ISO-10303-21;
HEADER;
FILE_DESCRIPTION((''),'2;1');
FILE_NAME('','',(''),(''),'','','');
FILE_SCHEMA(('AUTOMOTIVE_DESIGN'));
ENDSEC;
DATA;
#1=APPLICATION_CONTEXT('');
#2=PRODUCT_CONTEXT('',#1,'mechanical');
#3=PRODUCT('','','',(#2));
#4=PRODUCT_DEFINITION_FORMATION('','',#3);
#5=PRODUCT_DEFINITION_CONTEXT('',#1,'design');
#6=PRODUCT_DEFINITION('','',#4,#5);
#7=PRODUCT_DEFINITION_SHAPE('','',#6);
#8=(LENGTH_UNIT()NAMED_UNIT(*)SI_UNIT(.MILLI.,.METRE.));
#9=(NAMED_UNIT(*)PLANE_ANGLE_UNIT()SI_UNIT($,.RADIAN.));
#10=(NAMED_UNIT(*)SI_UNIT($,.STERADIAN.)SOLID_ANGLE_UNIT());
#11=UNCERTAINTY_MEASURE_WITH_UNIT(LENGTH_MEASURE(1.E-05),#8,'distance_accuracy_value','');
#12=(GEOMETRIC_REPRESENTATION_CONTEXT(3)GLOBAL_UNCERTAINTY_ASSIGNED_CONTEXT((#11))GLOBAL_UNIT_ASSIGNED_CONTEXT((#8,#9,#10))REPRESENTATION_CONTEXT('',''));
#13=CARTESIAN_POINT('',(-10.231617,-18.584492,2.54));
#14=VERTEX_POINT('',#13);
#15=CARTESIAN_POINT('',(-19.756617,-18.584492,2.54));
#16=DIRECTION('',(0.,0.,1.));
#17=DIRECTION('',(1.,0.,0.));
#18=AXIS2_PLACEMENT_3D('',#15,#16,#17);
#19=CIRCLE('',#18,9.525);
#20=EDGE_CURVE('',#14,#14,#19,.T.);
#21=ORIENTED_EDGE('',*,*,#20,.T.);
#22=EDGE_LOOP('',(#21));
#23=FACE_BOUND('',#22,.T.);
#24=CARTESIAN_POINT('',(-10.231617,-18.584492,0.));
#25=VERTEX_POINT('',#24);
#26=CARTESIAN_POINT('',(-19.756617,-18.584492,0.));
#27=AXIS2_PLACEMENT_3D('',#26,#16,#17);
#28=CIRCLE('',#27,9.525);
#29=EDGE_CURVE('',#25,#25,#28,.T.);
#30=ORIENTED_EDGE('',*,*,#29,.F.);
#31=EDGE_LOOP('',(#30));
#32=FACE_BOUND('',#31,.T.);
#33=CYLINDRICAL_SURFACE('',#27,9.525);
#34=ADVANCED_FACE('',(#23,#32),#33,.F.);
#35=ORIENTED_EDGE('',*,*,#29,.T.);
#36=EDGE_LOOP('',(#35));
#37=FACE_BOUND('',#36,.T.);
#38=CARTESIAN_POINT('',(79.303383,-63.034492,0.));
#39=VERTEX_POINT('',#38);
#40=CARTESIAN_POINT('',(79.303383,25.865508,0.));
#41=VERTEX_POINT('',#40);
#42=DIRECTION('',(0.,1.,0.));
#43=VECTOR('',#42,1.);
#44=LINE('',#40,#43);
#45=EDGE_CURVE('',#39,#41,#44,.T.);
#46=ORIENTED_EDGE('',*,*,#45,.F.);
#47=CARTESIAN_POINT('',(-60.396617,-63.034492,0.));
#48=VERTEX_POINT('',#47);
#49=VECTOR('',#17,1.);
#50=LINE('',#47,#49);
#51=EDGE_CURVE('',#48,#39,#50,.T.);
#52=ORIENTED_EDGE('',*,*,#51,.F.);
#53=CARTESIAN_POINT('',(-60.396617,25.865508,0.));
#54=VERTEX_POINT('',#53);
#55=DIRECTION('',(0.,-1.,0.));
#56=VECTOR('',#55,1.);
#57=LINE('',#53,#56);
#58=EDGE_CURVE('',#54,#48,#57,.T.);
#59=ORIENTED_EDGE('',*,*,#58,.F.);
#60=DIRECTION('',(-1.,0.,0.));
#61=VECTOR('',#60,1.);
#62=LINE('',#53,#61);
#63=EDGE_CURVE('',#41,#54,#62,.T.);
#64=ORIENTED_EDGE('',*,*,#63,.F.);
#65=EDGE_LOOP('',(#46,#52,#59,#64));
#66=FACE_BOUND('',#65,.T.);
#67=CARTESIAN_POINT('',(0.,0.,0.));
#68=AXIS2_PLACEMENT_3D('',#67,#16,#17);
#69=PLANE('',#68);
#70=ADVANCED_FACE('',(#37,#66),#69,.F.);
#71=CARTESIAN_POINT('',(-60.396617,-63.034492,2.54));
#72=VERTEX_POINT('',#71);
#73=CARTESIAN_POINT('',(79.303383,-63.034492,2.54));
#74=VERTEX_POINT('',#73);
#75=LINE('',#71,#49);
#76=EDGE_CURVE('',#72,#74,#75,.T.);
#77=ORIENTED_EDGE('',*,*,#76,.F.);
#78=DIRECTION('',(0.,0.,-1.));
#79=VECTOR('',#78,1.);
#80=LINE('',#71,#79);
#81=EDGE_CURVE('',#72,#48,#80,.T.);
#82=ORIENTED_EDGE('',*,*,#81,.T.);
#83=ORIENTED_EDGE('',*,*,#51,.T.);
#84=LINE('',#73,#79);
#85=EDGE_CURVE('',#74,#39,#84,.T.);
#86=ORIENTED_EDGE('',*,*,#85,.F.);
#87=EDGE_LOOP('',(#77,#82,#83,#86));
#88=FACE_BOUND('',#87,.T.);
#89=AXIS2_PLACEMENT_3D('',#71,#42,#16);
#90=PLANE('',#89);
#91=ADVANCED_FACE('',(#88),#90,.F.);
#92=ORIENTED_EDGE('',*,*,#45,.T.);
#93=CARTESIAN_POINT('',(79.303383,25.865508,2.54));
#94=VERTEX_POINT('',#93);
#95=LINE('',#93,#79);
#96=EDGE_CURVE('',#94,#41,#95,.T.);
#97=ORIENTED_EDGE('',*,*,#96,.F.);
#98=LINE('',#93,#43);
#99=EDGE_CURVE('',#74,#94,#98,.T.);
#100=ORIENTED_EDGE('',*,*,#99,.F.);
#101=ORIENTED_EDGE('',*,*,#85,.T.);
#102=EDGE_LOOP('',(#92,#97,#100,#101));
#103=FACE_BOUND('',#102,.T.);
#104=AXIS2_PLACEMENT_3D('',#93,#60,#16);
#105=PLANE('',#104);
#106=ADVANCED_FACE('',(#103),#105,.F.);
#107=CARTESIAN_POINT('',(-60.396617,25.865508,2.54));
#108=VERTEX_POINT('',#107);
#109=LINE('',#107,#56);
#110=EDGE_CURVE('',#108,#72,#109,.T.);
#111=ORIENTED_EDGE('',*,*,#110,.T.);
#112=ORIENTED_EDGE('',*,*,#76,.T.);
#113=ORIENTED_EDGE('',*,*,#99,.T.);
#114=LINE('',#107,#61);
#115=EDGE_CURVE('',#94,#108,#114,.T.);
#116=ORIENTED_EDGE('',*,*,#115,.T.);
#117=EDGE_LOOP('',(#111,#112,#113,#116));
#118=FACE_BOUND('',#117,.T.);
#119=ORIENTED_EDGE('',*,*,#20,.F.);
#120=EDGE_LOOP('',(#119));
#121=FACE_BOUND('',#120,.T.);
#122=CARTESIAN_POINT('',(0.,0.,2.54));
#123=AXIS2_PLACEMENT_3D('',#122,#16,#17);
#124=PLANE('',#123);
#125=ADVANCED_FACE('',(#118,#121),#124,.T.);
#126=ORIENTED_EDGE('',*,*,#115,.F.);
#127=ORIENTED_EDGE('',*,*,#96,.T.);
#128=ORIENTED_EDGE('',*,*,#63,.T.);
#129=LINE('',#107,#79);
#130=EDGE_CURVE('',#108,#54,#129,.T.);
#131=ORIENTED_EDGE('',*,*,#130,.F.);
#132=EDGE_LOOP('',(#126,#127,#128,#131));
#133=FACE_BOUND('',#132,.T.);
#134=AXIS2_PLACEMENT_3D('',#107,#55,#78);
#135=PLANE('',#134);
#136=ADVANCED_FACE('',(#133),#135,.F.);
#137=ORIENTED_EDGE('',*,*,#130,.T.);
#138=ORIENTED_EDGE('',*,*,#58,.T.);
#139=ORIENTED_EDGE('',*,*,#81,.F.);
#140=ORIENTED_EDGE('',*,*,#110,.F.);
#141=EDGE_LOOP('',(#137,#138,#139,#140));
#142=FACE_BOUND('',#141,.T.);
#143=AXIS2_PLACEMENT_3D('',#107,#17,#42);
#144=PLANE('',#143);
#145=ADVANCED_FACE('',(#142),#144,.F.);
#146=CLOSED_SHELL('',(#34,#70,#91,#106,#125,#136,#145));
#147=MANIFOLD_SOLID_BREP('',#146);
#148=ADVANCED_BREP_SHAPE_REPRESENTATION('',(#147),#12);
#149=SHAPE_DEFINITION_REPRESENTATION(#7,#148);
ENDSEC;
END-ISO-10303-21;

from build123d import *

# Parameters (mm, degrees)
SKETCH1_W           = 139.7
SKETCH1_H           = 88.9
BOSS_EXTRUDE1_DEPTH = 2.54
SKETCH2_R           = 9.525
CUT_EXTRUDE1_DEPTH  = 2.54


with BuildPart() as part:
    # Sketch1 → Boss-Extrude1 (new body)
    with BuildSketch(Plane.XY):
        with Locations((9.453383459, -18.584492481)):
            Rectangle(SKETCH1_W, SKETCH1_H)
    extrude(amount=BOSS_EXTRUDE1_DEPTH)

    # Sketch2 → Cut-Extrude1 (cut)
    with BuildSketch(Plane.XY.offset(2.54)):
        with Locations((-19.756616541, -18.584492481)):
            Circle(SKETCH2_R)
    extrude(amount=-CUT_EXTRUDE1_DEPTH, mode=Mode.SUBTRACT)


solid = part.part
